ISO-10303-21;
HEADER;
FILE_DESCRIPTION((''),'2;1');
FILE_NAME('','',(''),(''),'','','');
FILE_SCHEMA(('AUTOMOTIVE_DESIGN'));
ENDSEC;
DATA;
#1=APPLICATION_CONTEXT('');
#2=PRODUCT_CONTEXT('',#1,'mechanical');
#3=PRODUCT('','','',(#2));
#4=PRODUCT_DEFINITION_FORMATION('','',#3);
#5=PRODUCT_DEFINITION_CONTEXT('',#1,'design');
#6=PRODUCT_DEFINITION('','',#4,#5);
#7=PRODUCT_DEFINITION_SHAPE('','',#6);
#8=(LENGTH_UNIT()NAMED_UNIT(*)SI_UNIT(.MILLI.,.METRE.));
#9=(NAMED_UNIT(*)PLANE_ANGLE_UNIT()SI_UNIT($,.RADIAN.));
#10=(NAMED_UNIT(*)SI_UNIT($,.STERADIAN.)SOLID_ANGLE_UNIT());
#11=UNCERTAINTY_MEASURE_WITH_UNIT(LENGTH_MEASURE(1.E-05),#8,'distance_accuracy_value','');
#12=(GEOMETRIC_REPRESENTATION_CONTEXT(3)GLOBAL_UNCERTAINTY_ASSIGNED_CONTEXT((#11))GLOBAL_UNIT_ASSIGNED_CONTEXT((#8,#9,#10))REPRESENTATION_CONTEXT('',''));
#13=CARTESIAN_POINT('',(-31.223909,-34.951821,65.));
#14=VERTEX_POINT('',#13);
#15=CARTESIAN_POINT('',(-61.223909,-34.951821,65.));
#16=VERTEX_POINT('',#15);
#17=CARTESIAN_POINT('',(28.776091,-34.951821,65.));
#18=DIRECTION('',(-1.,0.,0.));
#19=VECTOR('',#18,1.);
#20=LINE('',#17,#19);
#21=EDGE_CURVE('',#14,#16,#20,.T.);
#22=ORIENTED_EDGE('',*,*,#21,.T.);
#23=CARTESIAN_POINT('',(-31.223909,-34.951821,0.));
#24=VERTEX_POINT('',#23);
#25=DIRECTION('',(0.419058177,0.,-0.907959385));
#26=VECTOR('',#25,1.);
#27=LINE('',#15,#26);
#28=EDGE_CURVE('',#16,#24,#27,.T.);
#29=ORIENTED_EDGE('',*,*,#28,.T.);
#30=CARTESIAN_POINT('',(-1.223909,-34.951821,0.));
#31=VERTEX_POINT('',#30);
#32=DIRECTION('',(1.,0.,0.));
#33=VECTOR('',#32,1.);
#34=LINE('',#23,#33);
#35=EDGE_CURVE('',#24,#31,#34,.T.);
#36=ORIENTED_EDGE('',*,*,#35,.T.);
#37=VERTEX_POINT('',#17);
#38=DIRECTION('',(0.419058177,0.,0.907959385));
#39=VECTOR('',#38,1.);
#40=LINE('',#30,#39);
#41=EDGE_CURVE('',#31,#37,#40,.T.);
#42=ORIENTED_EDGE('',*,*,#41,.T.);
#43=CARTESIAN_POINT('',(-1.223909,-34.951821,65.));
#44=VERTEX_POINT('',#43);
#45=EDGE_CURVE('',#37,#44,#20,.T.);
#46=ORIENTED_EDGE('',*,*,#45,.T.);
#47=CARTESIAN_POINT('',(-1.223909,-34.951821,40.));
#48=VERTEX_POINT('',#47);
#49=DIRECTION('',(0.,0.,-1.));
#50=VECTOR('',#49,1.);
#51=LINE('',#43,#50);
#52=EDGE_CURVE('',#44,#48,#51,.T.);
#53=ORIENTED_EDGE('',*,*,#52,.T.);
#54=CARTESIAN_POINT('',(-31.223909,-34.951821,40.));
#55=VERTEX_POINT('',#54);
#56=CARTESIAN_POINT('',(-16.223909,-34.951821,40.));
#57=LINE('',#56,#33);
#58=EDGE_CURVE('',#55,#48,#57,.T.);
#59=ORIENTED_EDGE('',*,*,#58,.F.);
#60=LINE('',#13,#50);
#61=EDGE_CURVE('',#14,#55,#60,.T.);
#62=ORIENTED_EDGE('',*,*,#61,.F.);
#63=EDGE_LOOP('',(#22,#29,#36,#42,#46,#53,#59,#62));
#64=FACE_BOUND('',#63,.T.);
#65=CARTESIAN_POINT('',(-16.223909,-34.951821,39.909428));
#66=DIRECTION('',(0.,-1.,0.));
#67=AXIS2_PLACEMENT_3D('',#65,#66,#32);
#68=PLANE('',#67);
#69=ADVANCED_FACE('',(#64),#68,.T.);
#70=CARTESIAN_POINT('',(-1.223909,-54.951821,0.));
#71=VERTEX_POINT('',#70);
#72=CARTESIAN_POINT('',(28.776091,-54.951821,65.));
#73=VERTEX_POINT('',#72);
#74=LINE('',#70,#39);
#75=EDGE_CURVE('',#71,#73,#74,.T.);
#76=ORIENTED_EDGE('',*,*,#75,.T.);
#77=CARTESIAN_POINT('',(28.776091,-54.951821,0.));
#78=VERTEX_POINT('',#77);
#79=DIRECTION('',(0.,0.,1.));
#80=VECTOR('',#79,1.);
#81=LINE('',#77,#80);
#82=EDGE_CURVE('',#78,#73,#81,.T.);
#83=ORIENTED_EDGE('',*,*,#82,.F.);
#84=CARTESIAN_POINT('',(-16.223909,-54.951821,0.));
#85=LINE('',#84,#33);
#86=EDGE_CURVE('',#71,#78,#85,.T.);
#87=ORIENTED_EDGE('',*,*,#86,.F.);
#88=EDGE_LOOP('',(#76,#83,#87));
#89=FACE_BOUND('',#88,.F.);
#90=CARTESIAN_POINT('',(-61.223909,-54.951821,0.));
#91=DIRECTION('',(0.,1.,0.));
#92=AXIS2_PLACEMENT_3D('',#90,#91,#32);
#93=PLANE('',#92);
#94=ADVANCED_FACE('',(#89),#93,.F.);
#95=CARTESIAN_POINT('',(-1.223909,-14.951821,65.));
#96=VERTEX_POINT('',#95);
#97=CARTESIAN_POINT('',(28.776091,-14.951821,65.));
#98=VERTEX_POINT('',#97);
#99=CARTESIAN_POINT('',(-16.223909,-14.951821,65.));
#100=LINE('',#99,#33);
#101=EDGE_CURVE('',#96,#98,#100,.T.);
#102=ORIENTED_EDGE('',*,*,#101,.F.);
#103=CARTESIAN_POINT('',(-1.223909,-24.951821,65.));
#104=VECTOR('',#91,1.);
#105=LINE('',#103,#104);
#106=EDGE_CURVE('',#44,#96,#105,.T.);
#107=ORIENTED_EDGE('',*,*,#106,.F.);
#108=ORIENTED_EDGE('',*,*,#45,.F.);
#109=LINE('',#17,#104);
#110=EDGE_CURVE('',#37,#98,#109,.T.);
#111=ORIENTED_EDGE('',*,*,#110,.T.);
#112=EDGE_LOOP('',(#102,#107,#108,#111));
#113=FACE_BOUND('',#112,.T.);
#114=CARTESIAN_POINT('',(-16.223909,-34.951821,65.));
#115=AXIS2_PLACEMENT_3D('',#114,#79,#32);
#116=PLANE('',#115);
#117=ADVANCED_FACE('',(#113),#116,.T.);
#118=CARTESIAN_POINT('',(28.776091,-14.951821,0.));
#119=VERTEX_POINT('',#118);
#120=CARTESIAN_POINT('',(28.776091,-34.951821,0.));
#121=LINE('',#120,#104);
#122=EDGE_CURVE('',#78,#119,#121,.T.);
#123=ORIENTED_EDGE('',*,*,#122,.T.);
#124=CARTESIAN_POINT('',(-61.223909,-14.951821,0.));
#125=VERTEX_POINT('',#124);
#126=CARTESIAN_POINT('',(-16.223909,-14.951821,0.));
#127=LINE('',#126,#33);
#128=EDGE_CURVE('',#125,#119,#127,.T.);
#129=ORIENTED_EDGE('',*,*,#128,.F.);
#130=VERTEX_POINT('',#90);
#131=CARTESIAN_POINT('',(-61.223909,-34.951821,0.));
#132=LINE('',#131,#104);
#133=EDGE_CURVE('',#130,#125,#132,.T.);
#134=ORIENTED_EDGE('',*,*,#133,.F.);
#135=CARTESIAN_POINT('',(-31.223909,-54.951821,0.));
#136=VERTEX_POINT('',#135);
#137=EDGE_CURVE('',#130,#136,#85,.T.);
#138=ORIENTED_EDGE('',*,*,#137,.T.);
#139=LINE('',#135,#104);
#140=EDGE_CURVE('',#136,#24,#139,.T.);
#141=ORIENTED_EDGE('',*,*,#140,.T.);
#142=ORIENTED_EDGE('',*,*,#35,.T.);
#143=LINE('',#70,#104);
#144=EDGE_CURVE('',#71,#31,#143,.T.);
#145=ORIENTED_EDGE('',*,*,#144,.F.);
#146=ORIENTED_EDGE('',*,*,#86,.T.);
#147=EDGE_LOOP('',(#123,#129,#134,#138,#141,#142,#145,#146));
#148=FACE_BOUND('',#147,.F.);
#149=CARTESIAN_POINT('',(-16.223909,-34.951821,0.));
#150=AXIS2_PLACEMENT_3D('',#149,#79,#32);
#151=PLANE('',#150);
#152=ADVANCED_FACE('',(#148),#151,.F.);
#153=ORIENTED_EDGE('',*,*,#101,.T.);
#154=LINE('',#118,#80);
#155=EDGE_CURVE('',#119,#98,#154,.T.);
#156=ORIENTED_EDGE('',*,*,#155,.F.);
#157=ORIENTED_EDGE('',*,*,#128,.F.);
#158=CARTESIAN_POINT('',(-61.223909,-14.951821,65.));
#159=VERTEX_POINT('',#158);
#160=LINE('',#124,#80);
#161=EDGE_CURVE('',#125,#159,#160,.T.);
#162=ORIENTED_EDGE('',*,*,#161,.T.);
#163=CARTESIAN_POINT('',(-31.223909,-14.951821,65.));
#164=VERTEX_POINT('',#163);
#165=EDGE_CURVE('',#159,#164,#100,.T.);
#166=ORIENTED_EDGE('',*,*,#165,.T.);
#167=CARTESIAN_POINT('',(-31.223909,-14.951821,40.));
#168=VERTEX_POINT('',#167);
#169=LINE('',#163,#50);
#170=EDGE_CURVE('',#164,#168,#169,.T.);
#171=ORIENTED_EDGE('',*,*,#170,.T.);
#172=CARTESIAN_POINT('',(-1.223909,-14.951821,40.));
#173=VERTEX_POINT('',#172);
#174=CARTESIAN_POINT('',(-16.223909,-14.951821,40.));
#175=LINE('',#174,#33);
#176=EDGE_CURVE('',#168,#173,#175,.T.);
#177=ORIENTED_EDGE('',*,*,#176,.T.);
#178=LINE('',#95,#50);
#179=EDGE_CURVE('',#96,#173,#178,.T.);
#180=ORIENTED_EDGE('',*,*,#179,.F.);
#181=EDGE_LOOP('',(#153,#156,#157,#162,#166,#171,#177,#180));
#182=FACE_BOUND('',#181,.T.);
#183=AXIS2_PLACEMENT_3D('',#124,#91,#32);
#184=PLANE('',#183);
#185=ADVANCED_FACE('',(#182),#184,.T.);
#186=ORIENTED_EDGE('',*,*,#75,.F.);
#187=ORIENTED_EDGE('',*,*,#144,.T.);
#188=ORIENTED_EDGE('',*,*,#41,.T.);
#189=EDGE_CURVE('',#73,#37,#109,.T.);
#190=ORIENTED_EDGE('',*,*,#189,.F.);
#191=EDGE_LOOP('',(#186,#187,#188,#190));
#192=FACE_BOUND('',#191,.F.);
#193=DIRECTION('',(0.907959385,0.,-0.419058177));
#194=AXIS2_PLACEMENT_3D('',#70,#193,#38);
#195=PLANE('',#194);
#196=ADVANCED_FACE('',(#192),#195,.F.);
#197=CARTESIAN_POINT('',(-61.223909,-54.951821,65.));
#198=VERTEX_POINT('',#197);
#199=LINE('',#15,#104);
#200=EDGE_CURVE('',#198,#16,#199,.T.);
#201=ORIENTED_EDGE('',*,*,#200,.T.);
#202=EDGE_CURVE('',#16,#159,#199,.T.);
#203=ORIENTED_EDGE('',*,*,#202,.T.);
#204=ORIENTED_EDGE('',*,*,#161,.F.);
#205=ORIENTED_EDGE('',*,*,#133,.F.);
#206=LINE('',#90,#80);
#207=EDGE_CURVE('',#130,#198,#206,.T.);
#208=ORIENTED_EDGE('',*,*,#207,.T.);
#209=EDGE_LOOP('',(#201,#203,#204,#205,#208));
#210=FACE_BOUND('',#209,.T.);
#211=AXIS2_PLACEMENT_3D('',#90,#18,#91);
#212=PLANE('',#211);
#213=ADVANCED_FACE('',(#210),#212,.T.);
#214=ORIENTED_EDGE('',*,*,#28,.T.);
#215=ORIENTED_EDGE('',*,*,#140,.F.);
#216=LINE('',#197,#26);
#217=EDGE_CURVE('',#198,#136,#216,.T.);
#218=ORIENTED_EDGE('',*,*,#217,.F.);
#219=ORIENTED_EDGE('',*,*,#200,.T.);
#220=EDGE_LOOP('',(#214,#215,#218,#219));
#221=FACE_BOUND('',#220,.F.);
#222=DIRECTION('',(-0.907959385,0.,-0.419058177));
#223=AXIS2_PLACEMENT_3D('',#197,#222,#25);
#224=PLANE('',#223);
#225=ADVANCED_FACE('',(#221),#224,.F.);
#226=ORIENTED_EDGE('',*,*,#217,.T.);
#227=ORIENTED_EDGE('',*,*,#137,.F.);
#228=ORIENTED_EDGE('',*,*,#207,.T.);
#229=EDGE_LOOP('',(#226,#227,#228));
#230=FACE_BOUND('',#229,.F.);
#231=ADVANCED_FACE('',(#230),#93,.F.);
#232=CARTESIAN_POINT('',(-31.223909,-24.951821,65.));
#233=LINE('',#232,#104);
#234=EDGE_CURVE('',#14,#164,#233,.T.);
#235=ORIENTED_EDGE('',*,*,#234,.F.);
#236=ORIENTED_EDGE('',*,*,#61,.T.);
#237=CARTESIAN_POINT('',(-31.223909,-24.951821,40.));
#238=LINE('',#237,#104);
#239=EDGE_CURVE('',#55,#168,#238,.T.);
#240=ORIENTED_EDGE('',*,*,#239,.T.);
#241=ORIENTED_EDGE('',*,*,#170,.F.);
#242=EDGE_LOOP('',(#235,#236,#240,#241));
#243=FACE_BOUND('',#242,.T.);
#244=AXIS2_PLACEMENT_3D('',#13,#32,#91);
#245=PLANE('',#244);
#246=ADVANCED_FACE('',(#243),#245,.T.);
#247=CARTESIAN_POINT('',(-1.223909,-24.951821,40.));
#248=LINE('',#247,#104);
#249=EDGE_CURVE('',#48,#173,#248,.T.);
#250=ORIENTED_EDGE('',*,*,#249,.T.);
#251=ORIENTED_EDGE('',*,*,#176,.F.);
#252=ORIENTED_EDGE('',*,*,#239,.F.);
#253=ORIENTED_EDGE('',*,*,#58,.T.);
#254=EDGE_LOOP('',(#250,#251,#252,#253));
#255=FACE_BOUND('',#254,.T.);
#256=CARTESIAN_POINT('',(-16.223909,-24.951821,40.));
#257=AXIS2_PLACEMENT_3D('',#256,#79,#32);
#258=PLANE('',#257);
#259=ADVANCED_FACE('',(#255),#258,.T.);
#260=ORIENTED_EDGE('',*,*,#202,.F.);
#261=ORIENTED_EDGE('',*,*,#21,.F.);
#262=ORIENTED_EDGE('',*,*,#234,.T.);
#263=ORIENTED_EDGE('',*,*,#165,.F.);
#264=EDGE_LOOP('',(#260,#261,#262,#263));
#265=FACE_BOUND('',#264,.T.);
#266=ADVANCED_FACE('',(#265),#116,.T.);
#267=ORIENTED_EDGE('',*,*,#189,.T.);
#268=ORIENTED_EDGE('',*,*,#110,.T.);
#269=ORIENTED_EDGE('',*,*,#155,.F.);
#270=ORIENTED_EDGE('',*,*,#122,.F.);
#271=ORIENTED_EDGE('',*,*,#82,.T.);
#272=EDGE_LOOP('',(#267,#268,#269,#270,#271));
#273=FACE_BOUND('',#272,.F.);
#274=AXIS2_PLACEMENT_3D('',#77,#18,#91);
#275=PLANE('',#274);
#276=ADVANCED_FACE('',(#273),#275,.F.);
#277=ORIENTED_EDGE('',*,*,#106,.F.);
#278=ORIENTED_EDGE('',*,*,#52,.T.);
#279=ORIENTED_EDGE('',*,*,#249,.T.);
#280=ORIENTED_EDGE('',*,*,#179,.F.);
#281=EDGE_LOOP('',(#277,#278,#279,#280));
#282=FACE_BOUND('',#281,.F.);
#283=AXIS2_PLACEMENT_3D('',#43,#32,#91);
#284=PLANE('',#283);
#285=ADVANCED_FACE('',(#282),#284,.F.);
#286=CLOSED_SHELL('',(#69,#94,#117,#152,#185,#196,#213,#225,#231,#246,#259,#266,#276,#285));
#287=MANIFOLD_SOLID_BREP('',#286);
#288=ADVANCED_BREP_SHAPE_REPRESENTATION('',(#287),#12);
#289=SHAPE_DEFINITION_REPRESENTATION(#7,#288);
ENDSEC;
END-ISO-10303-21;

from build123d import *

# Parameters (mm, degrees)
F0_W     = 90
F0_H     = 40
F1_DEPTH = 65
F2_W     = 30
F2_H     = 20
F3_DEPTH = 25
F5_DEPTH = 20


with BuildPart() as f1:
    # F0 (on Top) → F1 (new body)
    with BuildSketch(Plane.XY):
        with Locations((-16.223909, -34.951821)):
            Rectangle(F0_W, F0_H)
    extrude(amount=F1_DEPTH)

    # F2 (on face) → F3 (cut)
    with BuildSketch(Plane.XY.offset(65)):
        with Locations((-16.223909, -24.951821)):
            Rectangle(F2_W, F2_H)
    extrude(amount=-F3_DEPTH, mode=Mode.SUBTRACT)

    # F4 (on face) → F5 (cut)
    with BuildSketch(Plane.XZ.offset(54.951821)):
        Polygon((-61.223909, 65), (-31.223909, 0), (-1.223909, 0), (28.776091, 65), align=None)
    extrude(amount=-F5_DEPTH, mode=Mode.SUBTRACT)


solid = f1.part
